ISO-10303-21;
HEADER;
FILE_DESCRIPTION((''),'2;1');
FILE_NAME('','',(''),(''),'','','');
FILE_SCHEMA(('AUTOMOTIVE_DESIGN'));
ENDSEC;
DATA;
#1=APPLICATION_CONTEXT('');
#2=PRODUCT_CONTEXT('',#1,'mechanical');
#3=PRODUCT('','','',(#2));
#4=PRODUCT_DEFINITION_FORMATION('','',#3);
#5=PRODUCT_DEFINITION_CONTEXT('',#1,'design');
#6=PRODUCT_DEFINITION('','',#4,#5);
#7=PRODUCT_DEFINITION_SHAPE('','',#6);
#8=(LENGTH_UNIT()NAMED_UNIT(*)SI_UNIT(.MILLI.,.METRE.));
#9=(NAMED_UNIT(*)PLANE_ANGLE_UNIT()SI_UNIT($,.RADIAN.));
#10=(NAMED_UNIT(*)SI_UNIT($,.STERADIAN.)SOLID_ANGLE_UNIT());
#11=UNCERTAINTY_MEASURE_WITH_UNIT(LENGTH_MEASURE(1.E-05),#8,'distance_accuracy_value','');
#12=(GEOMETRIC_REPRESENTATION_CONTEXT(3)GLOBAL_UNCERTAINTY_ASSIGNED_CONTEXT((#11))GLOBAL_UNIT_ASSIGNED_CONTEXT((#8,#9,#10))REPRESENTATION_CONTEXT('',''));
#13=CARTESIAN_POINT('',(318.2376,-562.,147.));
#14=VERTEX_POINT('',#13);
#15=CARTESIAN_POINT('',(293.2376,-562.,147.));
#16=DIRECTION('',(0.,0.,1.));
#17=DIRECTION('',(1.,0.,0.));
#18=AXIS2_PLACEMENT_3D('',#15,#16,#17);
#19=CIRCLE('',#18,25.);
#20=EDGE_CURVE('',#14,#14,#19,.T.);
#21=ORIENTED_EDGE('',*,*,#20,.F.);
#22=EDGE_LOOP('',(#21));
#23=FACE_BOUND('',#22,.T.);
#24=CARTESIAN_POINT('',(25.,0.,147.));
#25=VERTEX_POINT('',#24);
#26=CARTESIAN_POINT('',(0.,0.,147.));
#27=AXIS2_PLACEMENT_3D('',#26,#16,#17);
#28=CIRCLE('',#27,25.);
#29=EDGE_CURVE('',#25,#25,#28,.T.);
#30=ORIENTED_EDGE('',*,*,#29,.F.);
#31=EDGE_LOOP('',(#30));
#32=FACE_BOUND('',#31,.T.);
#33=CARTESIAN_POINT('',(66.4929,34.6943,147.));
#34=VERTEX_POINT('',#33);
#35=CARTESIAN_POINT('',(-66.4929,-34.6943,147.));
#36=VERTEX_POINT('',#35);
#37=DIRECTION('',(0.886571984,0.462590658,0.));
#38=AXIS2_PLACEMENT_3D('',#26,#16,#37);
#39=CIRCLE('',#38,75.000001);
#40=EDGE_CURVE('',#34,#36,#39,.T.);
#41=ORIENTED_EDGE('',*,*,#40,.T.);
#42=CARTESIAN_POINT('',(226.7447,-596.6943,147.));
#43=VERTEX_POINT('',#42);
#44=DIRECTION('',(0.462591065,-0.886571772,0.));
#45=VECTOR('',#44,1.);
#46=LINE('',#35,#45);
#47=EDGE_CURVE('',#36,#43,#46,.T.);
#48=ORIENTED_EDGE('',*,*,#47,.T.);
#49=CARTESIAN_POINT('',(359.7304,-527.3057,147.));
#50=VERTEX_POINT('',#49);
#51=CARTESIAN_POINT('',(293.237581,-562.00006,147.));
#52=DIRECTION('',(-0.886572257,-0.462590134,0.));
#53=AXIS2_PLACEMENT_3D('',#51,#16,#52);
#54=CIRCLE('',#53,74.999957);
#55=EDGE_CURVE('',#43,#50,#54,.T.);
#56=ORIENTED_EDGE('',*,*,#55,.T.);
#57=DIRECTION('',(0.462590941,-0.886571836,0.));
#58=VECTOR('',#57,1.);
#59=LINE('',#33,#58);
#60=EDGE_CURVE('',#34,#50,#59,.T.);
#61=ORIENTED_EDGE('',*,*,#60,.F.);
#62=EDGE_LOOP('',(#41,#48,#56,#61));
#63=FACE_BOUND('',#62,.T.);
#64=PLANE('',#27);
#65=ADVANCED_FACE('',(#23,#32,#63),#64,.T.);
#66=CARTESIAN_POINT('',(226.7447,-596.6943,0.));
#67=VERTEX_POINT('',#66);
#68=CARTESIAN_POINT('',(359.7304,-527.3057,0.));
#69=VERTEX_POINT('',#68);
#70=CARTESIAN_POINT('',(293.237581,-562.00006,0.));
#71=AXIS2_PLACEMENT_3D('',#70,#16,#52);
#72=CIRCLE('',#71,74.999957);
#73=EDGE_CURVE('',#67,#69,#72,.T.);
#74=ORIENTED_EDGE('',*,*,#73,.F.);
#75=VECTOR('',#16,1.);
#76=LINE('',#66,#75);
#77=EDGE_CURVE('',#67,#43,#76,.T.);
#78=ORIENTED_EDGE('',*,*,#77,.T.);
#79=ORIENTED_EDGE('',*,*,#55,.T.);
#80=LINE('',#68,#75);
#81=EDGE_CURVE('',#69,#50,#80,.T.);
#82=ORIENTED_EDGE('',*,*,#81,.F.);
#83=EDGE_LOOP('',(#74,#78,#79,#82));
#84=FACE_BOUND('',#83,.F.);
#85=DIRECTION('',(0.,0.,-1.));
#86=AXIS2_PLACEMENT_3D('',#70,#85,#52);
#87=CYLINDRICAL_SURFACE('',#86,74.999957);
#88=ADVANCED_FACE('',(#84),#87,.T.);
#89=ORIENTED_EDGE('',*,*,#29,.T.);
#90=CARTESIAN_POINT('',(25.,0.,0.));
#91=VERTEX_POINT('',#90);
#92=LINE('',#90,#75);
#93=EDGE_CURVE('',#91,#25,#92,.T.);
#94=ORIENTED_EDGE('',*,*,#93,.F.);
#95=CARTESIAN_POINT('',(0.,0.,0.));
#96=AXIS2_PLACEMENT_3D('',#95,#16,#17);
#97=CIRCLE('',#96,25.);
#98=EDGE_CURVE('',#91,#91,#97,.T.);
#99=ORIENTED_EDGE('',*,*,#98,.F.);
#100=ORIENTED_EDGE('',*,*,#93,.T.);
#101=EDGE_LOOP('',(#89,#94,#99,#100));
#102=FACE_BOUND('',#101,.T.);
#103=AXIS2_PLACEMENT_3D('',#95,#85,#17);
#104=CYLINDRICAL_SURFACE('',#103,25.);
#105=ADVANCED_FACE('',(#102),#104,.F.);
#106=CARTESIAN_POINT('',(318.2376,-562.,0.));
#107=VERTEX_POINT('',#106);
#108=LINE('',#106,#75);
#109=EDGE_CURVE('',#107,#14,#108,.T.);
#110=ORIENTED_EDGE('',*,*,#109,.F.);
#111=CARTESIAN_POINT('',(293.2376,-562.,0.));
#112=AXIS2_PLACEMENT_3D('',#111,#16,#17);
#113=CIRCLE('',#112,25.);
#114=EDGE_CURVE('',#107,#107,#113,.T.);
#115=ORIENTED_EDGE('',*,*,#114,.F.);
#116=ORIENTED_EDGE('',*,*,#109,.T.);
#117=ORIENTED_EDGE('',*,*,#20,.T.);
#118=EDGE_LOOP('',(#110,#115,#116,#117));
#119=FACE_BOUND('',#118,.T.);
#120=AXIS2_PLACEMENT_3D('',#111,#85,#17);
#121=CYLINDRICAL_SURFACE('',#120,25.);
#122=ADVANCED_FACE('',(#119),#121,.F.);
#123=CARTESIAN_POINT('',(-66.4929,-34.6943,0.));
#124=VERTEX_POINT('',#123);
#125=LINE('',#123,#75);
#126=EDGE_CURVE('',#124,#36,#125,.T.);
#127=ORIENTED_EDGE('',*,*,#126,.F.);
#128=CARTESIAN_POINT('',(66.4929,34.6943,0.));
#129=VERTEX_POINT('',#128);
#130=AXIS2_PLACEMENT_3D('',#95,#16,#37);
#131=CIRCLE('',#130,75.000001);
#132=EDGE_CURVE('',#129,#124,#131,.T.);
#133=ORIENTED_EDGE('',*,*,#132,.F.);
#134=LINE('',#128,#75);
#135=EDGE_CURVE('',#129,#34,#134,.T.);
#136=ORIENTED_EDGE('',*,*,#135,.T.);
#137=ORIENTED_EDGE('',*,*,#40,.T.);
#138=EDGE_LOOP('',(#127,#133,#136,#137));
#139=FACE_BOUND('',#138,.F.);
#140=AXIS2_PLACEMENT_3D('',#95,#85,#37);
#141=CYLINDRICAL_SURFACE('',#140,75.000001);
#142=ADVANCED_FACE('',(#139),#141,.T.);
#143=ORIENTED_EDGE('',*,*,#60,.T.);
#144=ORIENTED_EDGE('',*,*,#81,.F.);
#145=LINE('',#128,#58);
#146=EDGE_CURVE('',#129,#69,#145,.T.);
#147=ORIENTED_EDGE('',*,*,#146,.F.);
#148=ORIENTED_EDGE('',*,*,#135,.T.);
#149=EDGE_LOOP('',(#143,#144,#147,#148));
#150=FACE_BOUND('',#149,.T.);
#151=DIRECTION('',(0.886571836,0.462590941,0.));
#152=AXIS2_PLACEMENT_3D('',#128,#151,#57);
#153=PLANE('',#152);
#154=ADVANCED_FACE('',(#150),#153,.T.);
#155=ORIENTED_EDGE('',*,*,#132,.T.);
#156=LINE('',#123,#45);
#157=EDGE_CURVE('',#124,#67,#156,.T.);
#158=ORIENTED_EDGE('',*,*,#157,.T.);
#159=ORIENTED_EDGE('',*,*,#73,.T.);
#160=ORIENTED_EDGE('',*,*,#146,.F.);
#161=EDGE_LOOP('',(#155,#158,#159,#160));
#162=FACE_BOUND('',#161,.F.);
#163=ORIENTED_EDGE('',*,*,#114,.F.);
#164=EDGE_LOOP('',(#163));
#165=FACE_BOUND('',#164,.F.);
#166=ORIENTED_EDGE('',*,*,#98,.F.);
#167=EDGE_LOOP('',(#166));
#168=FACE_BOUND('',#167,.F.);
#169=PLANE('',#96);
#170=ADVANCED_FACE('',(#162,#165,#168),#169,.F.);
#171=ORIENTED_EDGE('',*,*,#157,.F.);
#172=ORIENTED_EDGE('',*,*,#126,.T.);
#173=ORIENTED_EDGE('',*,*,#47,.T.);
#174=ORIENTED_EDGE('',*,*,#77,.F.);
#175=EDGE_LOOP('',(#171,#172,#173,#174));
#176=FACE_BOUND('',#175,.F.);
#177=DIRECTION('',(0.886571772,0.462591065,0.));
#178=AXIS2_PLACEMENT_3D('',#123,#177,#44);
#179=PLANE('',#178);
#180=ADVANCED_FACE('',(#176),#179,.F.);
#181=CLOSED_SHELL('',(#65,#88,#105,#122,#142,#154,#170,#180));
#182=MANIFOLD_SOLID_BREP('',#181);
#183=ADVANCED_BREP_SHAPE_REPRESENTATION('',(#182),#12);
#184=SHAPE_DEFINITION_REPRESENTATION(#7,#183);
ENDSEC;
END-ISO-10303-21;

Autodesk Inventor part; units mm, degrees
ref_plane "YZ Plane" through (0, 0, 0) normal (1, 0, 0) x (0, 1, 0)
ref_plane "XZ Plane" through (0, 0, 0) normal (0, 1, 0) x (-1, 0, 0)
ref_plane "XY Plane" through (0, 0, 0) normal (0, 0, 1) x (1, 0, 0)
sketch "Sketch1" plane through (0, 0, 0) normal (0, 0, 1) x (1, 0, 0)
  arc A0 (66.4929, 34.6943) -> (-66.4929, -34.6943) centre (0, 0) ccw
  circle A1 centre (0, 0) radius 25
  arc A2 (226.7447, -596.6943) -> (359.7304, -527.3057) centre (293.2376, -562) ccw
  circle A3 centre (293.2376, -562) radius 25
  line L0 (-66.4929, -34.6943) -> (226.7447, -596.6943)
  line L1 (66.4929, 34.6943) -> (359.7304, -527.3057)
  dimension "d0" = 150
  dimension "d1" = 50
  dimension "d2" = 150
  dimension "d3" = 50
  dimension "d4" = 562
extrude "Extrusion1" add sketch "Sketch1" along normal blind 147
properties part number "FIRST ARM"
